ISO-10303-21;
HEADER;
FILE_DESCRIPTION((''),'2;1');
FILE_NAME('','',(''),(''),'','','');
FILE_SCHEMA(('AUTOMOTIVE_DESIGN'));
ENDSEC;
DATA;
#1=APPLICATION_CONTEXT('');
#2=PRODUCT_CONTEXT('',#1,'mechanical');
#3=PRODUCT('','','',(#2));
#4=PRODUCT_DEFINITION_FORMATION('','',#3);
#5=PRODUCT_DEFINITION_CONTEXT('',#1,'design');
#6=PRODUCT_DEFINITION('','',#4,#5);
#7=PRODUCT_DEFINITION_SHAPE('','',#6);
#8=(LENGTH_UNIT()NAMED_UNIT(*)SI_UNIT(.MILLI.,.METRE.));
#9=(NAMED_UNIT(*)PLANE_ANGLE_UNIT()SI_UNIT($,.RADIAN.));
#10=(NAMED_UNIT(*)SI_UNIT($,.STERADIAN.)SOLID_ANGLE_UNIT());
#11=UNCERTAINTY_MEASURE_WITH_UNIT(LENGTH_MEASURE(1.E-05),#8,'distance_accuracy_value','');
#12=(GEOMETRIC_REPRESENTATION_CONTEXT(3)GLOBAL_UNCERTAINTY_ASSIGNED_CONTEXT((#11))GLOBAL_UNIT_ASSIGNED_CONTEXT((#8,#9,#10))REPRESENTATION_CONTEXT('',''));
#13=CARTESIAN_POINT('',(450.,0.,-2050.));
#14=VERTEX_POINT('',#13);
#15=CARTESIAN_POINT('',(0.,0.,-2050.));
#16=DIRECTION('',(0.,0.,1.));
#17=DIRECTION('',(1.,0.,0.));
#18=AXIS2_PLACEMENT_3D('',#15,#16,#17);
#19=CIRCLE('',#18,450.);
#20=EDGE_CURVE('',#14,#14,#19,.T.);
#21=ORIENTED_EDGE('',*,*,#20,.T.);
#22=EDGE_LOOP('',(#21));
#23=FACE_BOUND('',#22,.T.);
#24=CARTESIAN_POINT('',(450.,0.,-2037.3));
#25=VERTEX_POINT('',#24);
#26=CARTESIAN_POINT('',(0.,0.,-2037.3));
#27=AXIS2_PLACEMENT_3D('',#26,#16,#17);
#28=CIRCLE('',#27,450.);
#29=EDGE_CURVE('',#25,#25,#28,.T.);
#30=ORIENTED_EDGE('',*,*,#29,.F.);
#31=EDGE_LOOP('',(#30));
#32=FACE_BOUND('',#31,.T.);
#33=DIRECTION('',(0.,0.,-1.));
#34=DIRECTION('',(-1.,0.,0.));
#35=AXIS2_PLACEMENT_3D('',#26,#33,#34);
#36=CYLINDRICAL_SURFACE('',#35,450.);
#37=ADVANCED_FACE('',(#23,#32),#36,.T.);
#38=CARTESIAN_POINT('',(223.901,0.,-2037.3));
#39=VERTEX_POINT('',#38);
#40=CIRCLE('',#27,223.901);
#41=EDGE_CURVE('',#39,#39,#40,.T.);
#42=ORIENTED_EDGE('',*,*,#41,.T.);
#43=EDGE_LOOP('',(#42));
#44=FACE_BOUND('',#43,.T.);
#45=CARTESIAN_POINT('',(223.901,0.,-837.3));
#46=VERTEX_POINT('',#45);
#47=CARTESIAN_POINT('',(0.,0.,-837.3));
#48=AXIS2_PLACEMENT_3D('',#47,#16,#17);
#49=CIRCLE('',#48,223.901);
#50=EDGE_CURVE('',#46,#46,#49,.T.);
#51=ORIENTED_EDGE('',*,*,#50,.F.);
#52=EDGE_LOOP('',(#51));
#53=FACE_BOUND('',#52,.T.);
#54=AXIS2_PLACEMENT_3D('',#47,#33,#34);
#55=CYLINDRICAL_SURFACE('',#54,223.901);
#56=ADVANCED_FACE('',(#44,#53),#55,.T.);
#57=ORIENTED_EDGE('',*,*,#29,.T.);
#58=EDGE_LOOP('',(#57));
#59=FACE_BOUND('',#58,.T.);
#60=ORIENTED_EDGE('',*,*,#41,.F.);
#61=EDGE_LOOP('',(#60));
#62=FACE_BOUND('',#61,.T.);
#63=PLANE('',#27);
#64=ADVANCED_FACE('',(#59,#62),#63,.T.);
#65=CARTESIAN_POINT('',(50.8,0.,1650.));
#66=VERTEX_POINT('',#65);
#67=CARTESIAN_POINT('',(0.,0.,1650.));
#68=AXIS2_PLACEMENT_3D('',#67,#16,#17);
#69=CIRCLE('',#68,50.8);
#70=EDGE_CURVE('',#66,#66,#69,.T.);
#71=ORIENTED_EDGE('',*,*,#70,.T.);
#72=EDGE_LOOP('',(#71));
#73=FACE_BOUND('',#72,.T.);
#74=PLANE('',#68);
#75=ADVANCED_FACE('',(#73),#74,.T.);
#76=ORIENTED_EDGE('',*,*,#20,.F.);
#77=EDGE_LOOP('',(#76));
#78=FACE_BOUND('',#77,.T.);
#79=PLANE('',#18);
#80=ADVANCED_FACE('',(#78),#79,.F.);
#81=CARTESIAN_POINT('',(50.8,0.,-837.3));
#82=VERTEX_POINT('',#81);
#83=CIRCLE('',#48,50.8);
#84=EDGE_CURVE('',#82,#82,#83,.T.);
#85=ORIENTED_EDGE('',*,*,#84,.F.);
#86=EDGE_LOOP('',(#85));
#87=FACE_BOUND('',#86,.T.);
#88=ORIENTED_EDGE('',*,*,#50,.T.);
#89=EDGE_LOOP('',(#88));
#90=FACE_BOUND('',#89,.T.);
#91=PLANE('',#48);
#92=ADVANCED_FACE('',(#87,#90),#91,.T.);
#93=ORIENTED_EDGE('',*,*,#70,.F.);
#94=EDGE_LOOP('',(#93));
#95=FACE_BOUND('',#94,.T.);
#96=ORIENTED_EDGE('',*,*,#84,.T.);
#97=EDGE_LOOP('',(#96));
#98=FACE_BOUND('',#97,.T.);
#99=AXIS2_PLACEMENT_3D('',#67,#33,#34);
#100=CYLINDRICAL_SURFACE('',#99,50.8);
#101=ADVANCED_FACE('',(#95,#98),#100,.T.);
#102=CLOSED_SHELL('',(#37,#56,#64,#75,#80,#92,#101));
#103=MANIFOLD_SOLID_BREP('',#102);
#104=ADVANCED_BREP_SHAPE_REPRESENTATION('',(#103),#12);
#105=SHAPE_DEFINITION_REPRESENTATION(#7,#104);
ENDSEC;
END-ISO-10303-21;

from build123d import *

# Parameters (mm, degrees)
SKETCH1_R                = 50.8
BOSS_EXTRUDE1_DEPTH      = 1650
BOSS_EXTRUDE1_DEPTH_BACK = 2050
SKETCH2_R                = 450
BOSS_EXTRUDE2_DEPTH      = 12.7
SKETCH3_R                = 223.901
BOSS_EXTRUDE3_DEPTH      = 1200


with BuildPart() as part:
    # Sketch1 → Boss-Extrude1 (new body, two sides)
    with BuildSketch(Plane.XY) as boss_extrude1_sk:
        Circle(SKETCH1_R)
    extrude(amount=BOSS_EXTRUDE1_DEPTH)
    extrude(boss_extrude1_sk.sketch, amount=-BOSS_EXTRUDE1_DEPTH_BACK)

    # Sketch2 → Boss-Extrude2 (add)
    with BuildSketch(Plane.XY.offset(-2050)):
        Circle(SKETCH2_R)
    extrude(amount=BOSS_EXTRUDE2_DEPTH)

    # Sketch3 → Boss-Extrude3 (add)
    with BuildSketch(Plane.XY.offset(-2037.3)):
        Circle(SKETCH3_R)
    extrude(amount=BOSS_EXTRUDE3_DEPTH)


solid = part.part
